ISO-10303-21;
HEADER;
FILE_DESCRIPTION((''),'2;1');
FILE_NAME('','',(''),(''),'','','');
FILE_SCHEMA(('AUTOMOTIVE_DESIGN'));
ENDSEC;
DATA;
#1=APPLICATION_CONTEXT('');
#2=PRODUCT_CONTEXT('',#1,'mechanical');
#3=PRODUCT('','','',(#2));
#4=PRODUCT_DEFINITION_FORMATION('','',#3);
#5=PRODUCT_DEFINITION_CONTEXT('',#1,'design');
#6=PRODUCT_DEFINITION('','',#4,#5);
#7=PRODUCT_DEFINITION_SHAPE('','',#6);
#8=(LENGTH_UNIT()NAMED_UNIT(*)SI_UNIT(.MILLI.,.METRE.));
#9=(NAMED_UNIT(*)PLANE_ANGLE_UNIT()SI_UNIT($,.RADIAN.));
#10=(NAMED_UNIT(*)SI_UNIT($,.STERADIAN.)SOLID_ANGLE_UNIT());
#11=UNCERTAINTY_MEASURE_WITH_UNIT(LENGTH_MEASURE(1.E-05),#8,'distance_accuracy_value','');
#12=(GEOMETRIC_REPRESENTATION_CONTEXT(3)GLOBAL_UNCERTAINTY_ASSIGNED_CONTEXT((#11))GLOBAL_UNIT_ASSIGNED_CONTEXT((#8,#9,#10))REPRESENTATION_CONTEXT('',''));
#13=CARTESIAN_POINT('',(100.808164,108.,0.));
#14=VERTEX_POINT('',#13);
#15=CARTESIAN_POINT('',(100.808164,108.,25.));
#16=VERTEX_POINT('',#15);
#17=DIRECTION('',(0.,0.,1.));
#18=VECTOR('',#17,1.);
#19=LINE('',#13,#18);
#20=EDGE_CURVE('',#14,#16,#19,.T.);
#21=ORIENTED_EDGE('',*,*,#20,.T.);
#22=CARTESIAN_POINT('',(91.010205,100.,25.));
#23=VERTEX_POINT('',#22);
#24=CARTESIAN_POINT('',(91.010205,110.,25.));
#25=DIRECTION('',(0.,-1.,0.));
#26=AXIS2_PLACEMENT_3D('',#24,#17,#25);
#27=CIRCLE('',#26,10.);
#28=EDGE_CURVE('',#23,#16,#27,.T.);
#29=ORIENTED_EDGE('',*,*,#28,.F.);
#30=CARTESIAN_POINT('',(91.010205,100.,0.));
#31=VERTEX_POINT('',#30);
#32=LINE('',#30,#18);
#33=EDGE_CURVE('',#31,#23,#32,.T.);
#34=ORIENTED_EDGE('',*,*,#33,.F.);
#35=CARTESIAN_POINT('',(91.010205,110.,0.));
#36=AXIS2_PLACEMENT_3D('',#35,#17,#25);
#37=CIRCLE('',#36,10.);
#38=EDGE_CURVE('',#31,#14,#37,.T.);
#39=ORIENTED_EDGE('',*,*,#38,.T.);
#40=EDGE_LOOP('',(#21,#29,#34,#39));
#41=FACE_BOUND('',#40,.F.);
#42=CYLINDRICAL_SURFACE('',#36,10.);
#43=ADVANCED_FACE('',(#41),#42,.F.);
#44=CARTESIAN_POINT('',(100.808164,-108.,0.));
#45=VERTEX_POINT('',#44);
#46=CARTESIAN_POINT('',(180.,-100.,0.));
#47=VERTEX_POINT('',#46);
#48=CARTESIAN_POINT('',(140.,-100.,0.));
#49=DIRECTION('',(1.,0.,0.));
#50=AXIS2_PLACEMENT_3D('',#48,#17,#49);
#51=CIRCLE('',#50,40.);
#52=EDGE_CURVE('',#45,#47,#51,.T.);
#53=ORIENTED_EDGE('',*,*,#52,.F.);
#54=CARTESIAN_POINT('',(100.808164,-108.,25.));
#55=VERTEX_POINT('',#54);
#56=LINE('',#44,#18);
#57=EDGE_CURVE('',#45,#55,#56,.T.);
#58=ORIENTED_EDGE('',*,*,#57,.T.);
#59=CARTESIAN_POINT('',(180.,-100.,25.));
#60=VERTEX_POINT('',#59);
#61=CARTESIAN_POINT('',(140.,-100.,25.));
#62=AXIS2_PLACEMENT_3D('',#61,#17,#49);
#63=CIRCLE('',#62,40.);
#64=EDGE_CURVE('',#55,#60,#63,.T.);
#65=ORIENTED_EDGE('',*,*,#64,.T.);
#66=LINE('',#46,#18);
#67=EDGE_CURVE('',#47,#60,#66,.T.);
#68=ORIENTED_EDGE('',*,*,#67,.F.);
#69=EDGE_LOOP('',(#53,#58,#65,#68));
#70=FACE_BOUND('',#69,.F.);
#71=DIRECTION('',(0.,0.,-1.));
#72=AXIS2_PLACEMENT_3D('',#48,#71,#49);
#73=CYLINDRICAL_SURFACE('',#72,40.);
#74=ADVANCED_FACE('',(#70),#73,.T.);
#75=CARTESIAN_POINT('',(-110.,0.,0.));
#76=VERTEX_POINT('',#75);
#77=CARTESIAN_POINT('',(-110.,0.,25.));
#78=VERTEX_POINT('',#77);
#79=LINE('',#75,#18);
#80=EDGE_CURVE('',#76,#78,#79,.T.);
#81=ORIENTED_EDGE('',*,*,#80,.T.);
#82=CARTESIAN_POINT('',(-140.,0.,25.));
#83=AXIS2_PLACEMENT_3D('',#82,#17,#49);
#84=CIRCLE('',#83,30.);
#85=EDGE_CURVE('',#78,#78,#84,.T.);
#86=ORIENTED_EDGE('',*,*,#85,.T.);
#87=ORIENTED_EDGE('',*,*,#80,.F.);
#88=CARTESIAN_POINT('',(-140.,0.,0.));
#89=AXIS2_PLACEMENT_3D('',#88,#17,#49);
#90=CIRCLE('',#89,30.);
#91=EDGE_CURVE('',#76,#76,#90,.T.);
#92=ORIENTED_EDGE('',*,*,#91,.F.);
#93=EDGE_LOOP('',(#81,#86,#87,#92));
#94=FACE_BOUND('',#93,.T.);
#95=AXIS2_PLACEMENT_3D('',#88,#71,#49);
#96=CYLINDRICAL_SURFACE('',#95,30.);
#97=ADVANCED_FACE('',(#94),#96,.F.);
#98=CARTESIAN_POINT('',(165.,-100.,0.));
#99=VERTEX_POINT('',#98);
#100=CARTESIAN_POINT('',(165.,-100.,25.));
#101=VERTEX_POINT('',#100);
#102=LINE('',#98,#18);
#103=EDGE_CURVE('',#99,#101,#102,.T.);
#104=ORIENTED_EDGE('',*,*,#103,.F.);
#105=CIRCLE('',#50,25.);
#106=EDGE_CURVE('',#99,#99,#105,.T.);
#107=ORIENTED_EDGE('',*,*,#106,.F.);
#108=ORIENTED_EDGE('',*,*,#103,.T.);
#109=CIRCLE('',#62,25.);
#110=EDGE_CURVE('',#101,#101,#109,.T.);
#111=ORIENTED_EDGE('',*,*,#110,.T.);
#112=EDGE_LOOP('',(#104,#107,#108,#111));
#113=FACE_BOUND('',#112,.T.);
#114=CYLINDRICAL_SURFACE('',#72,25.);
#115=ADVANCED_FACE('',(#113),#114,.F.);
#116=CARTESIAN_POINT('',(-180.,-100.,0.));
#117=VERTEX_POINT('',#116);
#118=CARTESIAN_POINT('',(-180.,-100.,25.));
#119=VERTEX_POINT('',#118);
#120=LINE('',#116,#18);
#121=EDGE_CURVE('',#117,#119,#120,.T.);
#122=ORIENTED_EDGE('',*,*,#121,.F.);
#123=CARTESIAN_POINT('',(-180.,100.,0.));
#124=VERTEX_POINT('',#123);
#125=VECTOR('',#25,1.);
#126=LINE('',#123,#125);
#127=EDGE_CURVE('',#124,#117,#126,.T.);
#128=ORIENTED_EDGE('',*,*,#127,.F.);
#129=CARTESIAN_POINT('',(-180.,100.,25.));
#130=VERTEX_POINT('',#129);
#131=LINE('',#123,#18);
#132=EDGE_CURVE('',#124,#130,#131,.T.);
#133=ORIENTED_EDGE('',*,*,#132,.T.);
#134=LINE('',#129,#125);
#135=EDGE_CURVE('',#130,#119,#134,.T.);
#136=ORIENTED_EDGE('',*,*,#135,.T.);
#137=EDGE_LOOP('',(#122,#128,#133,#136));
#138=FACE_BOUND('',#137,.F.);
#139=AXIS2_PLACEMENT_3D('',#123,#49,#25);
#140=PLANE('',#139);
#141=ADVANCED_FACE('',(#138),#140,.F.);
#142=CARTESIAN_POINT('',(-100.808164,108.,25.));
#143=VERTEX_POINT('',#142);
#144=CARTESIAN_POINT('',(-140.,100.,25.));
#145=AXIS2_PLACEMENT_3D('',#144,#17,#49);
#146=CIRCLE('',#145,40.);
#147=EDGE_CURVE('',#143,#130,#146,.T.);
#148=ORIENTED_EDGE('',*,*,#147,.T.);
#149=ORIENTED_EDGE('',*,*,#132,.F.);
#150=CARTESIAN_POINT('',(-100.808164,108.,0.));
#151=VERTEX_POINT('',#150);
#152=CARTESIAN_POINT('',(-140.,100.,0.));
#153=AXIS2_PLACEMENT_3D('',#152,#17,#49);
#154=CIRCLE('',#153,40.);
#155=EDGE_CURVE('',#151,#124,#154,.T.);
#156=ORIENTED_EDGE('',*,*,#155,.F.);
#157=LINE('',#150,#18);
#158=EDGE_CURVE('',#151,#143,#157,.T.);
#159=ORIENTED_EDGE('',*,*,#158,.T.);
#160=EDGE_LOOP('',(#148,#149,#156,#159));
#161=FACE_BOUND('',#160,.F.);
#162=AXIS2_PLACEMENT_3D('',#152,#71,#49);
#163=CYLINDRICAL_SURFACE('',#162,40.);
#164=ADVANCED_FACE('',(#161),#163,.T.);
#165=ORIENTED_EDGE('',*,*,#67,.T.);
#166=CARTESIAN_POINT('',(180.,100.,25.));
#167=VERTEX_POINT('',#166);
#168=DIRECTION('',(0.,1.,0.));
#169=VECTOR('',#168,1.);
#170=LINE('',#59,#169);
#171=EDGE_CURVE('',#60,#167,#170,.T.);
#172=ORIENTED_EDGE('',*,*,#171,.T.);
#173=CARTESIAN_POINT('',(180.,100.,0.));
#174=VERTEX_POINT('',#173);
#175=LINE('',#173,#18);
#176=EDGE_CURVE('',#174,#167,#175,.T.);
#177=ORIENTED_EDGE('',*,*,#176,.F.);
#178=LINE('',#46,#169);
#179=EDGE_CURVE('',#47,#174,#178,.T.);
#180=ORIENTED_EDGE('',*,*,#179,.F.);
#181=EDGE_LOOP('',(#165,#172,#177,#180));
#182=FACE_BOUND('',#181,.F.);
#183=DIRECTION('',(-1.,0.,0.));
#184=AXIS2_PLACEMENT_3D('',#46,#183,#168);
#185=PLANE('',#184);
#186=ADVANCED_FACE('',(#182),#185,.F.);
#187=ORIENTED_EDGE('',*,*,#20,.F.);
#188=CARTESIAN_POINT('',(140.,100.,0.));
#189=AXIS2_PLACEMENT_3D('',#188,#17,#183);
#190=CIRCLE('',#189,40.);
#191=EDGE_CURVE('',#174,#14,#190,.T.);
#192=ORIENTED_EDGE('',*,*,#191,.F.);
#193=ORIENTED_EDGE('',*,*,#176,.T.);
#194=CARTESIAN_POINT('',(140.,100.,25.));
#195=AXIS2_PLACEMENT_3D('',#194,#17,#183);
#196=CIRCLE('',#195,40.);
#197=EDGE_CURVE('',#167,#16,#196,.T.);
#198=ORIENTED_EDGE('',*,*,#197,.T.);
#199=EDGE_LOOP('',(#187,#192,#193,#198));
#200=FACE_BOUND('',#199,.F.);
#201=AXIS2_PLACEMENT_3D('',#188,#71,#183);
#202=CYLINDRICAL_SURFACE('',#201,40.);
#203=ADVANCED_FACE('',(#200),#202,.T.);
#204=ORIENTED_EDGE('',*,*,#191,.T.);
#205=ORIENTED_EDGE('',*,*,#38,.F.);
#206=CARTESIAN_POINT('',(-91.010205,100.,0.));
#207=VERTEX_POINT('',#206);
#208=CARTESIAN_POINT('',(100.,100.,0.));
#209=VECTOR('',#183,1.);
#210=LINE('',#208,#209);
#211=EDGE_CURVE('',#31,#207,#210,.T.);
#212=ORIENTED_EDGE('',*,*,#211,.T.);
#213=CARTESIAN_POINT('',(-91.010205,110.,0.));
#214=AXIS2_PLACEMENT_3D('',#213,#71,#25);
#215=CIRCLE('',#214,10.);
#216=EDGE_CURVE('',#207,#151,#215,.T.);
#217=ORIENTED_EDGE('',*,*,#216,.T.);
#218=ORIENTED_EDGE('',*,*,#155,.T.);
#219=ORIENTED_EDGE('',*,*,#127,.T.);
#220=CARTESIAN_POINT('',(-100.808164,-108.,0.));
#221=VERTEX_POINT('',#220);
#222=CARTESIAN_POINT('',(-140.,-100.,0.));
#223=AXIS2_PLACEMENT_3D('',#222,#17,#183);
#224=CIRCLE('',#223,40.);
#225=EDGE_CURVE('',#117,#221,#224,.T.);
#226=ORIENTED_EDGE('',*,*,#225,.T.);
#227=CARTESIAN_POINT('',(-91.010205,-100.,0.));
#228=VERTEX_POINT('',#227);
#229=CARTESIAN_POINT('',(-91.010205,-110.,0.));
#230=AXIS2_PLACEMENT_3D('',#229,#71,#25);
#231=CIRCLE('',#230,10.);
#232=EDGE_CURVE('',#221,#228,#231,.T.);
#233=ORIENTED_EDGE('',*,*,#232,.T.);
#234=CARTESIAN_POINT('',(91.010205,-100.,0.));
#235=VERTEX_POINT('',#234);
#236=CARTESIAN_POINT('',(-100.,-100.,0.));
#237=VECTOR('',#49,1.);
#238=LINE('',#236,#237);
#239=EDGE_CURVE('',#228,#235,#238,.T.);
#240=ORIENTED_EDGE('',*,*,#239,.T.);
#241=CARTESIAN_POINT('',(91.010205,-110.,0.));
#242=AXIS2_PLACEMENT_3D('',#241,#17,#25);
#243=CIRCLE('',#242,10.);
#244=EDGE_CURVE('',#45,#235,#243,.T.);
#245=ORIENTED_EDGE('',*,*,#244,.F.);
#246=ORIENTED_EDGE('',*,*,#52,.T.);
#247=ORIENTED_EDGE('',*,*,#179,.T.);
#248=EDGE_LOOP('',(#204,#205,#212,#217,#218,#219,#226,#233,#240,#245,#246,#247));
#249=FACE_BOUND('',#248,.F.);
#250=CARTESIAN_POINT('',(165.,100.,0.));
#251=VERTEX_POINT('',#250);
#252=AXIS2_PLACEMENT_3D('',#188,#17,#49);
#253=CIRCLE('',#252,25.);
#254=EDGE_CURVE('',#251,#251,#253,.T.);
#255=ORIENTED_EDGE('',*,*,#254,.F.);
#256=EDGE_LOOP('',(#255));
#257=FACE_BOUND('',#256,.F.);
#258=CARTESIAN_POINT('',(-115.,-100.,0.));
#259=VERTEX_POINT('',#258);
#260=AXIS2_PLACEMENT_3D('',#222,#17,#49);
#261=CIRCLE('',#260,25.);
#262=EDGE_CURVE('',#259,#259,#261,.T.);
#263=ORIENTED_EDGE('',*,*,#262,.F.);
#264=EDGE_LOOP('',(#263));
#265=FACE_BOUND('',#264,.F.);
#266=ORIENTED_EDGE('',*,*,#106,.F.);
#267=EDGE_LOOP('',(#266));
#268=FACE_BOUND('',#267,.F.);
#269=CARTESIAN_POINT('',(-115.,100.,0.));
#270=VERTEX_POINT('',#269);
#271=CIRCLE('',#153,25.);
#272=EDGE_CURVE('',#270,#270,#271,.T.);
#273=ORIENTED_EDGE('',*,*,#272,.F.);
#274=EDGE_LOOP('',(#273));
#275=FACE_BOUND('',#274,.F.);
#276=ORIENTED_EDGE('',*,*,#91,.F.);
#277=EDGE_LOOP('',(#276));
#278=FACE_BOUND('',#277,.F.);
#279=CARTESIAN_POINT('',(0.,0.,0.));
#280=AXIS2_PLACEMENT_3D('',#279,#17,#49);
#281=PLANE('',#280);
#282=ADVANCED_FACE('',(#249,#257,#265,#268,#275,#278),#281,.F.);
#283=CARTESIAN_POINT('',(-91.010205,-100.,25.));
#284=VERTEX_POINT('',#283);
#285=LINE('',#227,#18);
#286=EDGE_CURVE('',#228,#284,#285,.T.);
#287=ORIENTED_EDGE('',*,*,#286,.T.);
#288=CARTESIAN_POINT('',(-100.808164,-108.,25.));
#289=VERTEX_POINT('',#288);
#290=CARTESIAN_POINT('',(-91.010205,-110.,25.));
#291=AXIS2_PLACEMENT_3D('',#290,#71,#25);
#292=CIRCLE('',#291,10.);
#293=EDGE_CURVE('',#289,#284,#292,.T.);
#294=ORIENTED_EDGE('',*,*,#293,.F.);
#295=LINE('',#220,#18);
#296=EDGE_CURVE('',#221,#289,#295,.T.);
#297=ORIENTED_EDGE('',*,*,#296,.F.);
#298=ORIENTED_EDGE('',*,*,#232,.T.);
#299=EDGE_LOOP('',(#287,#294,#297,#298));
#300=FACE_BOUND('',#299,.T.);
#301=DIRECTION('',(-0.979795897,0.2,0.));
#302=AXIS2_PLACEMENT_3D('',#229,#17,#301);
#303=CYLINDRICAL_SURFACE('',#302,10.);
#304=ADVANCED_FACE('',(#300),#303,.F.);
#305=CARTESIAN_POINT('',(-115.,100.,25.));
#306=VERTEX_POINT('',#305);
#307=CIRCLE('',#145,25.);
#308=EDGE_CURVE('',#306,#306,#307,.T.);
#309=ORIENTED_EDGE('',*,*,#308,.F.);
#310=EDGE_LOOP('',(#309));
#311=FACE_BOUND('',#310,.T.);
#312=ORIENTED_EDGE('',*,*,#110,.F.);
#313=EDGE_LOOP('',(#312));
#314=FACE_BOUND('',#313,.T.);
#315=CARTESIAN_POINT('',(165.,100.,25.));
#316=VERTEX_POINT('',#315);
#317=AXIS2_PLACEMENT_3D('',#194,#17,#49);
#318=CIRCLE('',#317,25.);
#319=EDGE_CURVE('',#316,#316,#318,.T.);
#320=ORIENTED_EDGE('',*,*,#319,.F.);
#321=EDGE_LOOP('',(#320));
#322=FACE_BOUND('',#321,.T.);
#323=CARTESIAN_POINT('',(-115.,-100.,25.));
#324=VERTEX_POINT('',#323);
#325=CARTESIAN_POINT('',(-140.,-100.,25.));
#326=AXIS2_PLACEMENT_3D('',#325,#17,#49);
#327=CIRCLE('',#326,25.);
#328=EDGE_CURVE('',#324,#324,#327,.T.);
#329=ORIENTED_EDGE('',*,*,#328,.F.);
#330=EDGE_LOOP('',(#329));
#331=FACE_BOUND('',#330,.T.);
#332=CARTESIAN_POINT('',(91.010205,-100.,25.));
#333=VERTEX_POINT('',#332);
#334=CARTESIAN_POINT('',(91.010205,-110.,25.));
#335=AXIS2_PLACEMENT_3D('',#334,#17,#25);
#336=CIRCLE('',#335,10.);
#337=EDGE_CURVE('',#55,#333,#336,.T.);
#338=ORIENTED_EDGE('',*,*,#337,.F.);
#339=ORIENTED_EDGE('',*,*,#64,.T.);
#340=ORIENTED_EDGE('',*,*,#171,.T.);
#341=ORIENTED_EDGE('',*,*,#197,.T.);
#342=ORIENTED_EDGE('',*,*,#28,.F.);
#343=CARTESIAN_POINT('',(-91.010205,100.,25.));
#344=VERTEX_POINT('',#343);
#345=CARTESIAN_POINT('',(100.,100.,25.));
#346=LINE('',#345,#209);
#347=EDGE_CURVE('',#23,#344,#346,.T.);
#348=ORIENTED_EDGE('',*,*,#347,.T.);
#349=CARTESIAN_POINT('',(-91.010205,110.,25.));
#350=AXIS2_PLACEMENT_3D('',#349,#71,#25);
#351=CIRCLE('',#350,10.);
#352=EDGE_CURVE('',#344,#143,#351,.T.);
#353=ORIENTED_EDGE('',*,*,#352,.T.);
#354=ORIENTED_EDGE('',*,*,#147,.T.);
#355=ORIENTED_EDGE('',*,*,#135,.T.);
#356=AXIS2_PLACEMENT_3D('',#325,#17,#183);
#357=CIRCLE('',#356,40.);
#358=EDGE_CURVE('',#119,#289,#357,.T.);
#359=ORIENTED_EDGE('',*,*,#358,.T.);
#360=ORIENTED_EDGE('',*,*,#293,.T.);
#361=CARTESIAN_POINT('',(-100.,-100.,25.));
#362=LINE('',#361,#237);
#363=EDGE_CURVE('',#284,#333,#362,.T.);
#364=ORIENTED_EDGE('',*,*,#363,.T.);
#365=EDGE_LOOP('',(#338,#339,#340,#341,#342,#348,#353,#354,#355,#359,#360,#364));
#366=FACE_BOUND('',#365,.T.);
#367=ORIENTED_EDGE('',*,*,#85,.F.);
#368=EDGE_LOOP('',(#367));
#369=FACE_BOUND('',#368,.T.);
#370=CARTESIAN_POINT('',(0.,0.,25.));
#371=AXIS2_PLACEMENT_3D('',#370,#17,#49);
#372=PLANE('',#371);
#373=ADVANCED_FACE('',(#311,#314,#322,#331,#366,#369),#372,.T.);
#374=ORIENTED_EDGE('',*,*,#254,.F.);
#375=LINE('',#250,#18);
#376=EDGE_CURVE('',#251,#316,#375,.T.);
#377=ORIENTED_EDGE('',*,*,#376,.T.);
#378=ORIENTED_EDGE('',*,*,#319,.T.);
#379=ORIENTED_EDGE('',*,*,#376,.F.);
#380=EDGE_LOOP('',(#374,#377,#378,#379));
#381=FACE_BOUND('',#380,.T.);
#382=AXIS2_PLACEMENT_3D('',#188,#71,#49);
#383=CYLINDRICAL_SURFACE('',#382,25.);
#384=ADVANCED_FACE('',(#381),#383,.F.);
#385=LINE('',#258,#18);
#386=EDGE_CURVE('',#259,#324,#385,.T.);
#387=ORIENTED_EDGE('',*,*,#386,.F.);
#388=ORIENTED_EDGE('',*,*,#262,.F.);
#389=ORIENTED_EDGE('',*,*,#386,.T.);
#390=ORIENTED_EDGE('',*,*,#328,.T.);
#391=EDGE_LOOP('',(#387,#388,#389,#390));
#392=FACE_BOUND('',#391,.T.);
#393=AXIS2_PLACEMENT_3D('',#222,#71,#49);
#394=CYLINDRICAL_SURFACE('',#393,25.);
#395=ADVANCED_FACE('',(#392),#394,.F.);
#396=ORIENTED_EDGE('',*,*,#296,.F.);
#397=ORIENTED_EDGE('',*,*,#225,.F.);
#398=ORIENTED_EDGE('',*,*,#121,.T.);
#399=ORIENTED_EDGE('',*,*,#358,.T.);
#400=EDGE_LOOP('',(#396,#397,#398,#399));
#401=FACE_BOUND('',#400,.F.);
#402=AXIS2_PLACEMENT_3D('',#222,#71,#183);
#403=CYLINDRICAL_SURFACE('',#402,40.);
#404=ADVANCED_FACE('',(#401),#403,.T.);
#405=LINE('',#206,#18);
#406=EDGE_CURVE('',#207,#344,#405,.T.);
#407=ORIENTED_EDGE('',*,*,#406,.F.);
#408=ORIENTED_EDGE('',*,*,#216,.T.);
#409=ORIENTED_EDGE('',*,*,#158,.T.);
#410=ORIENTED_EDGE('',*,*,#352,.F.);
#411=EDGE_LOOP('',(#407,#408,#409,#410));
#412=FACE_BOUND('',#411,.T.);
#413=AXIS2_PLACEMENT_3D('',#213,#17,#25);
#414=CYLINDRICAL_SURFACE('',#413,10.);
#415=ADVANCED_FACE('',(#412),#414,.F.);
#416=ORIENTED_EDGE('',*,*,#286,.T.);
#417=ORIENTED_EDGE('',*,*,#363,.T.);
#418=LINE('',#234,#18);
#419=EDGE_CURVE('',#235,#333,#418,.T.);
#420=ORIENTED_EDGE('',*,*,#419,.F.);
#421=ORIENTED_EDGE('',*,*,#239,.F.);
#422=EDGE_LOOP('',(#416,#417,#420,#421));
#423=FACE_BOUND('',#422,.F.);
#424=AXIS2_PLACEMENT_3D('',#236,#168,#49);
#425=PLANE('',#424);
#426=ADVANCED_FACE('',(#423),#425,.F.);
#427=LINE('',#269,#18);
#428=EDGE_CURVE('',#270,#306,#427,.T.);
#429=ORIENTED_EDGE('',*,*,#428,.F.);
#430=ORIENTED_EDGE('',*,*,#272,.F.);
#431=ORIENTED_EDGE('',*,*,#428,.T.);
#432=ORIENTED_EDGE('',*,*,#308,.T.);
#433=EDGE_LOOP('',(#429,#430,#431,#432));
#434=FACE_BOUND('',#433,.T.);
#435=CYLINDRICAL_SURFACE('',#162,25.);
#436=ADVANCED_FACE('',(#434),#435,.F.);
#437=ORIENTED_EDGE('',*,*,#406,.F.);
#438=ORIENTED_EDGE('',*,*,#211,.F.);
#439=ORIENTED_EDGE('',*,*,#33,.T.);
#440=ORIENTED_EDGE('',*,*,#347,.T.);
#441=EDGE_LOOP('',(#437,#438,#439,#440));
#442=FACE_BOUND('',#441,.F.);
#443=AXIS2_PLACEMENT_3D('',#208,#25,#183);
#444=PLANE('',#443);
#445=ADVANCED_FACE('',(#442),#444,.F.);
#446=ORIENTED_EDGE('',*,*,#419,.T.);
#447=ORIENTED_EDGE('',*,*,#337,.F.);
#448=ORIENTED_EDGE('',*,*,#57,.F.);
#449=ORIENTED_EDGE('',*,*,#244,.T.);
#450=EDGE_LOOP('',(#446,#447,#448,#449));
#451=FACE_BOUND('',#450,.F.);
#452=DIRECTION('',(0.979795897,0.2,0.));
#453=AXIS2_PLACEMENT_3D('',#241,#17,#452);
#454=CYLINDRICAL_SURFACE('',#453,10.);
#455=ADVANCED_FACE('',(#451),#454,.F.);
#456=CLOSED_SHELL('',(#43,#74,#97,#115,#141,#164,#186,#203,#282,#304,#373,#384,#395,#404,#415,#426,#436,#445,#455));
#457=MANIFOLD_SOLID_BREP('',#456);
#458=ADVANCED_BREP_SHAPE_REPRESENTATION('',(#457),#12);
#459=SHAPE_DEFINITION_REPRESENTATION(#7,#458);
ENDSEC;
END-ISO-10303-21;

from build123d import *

# Parameters (mm, degrees)
F0_R     = 30
F0_R_2   = 25
F1_DEPTH = 25
F2_R     = 10


with BuildPart() as f1:
    # F0 (on Top) → F1 (new body)
    with BuildSketch(Plane.XY):
        with BuildLine():
            Line((100, 100), (-100, 100))
            ThreePointArc((-100, 100), (-140, 60), (-180, 100))
            Line((-180, 100), (-180, -100))
            ThreePointArc((-180, -100), (-140, -60), (-100, -100))
            Line((-100, -100), (100, -100))
            ThreePointArc((100, -100), (140, -60), (180, -100))
            Line((180, -100), (180, 100))
            ThreePointArc((180, 100), (140, 60), (100, 100))
        make_face()
        with Locations((-140, 0)):
            Circle(F0_R, mode=Mode.SUBTRACT)
        with BuildLine():
            ThreePointArc((-180, 100), (-140, 60), (-100, 100))
            ThreePointArc((-100, 100), (-140, 140), (-180, 100))
        make_face()
        with Locations((-140, 100)):
            Circle(F0_R_2, mode=Mode.SUBTRACT)
        with BuildLine():
            ThreePointArc((180, 100), (140, 140), (100, 100))
            ThreePointArc((100, 100), (140, 60), (180, 100))
        make_face()
        with Locations((140, 100)):
            Circle(F0_R_2, mode=Mode.SUBTRACT)
        with BuildLine():
            ThreePointArc((100, -100), (140, -140), (180, -100))
            ThreePointArc((180, -100), (140, -60), (100, -100))
        make_face()
        with Locations((140, -100)):
            Circle(F0_R_2, mode=Mode.SUBTRACT)
        with BuildLine():
            ThreePointArc((-100, -100), (-140, -60), (-180, -100))
            ThreePointArc((-180, -100), (-140, -140), (-100, -100))
        make_face()
        with Locations((-140, -100)):
            Circle(F0_R_2, mode=Mode.SUBTRACT)
    extrude(amount=F1_DEPTH)

    # F2
    f2_edges = [f1.edges().sort_by_distance(p)[0] for p in [
        (-100, -100, 12.5),
        (100, -100, 12.5),
        (-100, 100, 12.5),
        (100, 100, 12.5),
    ]]
    fillet(f2_edges, radius=F2_R)


solid = f1.part
